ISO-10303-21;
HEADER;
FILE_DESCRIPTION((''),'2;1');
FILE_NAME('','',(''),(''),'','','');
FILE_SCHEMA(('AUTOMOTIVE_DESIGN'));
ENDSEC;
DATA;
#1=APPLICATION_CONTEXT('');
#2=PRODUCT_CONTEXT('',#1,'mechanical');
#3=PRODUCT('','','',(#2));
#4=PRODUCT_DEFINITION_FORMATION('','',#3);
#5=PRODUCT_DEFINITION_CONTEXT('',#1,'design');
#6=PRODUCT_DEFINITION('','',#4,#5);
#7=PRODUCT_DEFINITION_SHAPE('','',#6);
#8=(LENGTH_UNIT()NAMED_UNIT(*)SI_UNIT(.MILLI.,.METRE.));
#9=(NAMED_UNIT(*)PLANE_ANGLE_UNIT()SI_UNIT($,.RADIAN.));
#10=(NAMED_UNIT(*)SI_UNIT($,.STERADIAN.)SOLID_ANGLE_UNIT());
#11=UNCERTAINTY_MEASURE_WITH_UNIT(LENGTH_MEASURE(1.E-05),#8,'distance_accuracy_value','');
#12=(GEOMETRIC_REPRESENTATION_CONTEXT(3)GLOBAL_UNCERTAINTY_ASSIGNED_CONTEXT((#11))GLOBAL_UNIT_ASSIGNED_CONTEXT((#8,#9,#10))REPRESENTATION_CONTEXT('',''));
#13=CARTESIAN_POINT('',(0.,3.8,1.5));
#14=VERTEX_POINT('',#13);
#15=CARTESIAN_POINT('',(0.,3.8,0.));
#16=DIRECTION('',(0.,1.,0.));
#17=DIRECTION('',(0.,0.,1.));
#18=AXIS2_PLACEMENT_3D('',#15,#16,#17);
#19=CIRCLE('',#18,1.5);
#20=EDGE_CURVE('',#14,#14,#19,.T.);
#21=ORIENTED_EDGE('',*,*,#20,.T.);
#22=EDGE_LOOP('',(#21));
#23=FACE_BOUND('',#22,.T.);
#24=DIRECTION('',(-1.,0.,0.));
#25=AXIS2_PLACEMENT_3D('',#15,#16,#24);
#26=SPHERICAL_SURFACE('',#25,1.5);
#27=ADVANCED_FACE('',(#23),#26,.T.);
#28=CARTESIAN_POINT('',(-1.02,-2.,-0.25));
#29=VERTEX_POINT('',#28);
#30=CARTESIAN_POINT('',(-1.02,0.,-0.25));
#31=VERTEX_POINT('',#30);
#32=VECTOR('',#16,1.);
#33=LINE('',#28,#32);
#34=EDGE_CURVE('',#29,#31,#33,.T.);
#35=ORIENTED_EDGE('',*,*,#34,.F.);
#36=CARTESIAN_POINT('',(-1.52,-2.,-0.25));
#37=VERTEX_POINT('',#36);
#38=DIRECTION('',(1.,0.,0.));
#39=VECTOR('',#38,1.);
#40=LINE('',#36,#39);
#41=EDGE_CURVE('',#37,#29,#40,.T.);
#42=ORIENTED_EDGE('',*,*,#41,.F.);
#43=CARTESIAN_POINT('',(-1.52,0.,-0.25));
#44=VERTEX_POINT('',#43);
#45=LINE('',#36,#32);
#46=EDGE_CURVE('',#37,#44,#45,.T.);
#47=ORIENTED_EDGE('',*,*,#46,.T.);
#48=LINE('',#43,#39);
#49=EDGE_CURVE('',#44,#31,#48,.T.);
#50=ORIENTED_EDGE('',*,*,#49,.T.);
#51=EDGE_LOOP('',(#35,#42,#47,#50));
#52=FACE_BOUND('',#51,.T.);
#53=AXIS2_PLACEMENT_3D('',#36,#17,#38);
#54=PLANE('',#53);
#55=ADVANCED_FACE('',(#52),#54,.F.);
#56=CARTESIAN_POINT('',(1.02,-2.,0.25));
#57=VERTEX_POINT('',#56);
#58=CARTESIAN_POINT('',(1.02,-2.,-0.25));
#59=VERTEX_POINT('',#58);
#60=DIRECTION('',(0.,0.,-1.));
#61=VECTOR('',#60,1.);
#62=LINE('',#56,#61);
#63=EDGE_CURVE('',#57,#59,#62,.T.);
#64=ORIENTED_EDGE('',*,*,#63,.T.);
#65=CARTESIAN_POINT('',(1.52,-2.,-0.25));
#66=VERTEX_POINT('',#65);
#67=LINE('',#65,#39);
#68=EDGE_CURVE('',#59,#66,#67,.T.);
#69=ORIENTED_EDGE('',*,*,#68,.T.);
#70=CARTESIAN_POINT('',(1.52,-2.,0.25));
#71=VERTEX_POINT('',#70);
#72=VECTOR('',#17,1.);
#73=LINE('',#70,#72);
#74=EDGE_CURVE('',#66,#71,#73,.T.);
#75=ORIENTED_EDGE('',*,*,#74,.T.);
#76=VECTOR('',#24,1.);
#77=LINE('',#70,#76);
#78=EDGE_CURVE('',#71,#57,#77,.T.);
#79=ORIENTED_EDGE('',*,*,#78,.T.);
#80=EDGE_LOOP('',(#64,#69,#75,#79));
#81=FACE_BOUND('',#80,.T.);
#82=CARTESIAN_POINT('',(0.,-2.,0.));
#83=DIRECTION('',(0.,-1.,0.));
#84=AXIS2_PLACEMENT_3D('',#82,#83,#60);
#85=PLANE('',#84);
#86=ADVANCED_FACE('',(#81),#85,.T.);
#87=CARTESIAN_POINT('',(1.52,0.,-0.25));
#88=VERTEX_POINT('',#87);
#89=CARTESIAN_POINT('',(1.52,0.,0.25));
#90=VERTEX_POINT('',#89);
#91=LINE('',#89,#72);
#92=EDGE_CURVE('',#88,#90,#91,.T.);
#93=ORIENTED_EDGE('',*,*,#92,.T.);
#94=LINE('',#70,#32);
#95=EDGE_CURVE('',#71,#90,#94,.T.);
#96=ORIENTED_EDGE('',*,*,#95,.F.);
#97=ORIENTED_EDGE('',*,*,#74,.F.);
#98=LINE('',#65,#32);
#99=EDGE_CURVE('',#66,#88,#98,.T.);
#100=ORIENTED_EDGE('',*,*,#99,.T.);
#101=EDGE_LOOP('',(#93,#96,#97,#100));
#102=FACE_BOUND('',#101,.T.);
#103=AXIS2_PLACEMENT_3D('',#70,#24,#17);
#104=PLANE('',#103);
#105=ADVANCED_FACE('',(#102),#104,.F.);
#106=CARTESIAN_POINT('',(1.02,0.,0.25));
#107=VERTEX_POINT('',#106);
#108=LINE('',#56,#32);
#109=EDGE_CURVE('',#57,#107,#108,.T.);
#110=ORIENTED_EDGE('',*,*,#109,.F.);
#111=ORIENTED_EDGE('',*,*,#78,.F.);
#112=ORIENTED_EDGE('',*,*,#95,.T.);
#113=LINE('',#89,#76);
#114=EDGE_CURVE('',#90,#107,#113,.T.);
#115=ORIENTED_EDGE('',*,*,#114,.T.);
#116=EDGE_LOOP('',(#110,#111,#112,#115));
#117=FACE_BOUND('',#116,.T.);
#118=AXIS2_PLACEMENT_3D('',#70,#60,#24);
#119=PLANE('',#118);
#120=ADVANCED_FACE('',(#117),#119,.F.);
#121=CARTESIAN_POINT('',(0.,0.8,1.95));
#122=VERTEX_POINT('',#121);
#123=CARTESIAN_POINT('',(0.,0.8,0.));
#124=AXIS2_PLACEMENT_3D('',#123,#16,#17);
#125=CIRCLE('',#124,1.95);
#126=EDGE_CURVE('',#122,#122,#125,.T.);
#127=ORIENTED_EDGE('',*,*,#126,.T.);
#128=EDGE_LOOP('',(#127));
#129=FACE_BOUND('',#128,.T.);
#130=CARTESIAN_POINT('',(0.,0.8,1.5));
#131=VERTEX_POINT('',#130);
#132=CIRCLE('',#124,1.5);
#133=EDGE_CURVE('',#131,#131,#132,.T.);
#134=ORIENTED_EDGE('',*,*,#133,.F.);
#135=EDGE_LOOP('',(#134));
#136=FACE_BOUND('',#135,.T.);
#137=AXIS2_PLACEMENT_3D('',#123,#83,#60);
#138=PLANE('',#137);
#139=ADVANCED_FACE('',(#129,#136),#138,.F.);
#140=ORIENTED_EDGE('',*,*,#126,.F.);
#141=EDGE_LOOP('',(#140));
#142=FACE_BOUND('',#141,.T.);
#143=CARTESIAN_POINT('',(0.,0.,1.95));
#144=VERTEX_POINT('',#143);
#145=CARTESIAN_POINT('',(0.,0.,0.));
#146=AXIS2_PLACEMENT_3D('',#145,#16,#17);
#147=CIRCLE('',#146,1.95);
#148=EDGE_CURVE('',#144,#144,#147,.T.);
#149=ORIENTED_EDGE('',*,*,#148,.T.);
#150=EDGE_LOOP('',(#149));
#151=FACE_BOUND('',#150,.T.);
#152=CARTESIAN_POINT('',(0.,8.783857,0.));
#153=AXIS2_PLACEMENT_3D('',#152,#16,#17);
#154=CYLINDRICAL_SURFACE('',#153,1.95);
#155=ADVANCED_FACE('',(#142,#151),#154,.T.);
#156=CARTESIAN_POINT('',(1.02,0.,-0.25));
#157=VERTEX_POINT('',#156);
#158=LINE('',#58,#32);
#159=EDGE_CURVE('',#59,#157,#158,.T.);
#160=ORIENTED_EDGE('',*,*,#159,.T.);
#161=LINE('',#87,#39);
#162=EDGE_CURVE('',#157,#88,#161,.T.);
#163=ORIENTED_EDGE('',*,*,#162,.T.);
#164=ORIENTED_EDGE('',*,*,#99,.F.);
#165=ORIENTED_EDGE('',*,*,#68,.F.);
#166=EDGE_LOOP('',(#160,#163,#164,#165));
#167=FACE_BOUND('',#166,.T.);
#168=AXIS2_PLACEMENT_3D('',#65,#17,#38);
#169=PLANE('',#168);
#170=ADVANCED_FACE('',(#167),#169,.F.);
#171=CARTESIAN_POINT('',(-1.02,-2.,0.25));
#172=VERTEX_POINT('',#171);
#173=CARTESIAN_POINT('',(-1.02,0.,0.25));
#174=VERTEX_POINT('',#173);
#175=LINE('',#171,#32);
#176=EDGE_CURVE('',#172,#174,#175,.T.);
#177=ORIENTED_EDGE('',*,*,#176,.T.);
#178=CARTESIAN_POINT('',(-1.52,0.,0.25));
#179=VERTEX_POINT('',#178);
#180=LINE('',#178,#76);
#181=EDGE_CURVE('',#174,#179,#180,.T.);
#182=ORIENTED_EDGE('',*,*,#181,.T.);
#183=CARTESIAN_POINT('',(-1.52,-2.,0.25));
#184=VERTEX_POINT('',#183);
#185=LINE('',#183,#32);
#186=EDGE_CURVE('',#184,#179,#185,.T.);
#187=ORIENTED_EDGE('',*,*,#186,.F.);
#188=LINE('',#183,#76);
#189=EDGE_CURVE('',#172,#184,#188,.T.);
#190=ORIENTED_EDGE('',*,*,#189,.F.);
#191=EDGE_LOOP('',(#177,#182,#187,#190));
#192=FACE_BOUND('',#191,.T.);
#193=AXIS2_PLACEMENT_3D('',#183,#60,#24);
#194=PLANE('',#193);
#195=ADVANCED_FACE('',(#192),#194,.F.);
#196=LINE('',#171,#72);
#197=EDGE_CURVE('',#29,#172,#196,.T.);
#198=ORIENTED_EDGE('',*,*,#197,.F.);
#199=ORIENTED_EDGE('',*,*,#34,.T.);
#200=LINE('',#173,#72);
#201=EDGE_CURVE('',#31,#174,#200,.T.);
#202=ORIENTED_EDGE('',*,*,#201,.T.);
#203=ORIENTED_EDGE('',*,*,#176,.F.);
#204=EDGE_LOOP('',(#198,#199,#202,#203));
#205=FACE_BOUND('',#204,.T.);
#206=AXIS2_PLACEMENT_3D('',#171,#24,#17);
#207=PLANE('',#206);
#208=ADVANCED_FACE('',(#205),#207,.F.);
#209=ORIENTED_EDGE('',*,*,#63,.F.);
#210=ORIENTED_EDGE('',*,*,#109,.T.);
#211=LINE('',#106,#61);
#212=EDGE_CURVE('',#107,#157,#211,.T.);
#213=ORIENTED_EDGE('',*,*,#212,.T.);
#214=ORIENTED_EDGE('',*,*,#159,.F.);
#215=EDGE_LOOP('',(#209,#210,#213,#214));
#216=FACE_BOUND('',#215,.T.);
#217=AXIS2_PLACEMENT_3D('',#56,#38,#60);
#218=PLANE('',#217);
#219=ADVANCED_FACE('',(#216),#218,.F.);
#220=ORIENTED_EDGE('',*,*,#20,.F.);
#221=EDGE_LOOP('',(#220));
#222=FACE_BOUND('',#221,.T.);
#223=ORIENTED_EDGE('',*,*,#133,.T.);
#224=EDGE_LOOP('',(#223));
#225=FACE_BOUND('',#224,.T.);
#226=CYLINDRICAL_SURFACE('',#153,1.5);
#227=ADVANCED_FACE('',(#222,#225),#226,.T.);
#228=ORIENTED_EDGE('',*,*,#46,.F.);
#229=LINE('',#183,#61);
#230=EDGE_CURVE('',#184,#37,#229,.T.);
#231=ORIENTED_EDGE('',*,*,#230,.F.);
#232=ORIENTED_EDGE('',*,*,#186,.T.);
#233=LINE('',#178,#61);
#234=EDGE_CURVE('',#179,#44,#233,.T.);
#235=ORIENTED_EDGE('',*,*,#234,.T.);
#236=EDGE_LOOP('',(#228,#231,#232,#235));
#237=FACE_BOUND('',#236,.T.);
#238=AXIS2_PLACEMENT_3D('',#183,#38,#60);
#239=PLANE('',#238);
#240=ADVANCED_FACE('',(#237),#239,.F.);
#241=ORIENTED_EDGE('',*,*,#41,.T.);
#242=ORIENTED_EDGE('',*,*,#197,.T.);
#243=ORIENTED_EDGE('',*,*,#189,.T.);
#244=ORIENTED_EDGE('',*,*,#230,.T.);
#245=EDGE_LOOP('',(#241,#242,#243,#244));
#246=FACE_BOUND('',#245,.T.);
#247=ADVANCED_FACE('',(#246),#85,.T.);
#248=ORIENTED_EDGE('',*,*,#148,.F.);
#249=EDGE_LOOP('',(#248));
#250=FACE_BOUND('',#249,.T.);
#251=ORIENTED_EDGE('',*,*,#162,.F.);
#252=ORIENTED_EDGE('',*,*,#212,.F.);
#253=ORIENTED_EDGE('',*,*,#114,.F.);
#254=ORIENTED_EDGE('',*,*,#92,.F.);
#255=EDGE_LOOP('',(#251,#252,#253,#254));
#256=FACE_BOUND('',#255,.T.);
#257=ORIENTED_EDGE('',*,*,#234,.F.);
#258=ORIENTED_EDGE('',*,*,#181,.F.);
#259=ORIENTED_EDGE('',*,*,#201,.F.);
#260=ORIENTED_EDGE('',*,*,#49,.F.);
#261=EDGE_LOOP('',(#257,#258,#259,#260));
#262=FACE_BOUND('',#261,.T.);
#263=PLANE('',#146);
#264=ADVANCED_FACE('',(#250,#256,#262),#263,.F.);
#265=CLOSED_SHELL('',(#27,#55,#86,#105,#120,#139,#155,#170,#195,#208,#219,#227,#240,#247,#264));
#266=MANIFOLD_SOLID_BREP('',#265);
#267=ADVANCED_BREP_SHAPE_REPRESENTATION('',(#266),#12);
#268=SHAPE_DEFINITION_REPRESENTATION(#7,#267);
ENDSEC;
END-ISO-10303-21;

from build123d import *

# Parameters (mm, degrees)
SKETCH_1_W      = 1.95
SKETCH_1_H      = 0.8
SKETCH_2_W      = 0.5
SKETCH_2_H      = 0.5
EXTRUDE_1_DEPTH = 2


with BuildPart() as part:
    # Эскиз1 → Повернуть1 (revolve)
    with BuildSketch(Plane.XY, mode=Mode.PRIVATE) as revolve_1_sk:
        with BuildLine():
            Line((-1.5, 0.8), (0, 0.8))
            Line((0, 0.8), (0, 5.3))
            ThreePointArc((0, 5.3), (-1.060660172, 4.860660172), (-1.5, 3.8))
            Line((-1.5, 3.8), (-1.5, 0.8))
        make_face()
        with Locations((-0.975, 0.4)):
            Rectangle(SKETCH_1_W, SKETCH_1_H)
    revolve(revolve_1_sk.sketch.rotate(Axis((0, 8.783857323, 0), (0, -1, 0)), 270), axis=Axis((0, 8.783857323, 0), (0, -1, 0)))

    # Эскиз2 → Бобышка-Вытянуть1 (add)
    with BuildSketch(Plane.XZ):
        with Locations((-1.27, 0)):
            Rectangle(SKETCH_2_W, SKETCH_2_H)
        with Locations((1.27, 0)):
            Rectangle(SKETCH_2_W, SKETCH_2_H)
    extrude(amount=EXTRUDE_1_DEPTH)


solid = part.part
